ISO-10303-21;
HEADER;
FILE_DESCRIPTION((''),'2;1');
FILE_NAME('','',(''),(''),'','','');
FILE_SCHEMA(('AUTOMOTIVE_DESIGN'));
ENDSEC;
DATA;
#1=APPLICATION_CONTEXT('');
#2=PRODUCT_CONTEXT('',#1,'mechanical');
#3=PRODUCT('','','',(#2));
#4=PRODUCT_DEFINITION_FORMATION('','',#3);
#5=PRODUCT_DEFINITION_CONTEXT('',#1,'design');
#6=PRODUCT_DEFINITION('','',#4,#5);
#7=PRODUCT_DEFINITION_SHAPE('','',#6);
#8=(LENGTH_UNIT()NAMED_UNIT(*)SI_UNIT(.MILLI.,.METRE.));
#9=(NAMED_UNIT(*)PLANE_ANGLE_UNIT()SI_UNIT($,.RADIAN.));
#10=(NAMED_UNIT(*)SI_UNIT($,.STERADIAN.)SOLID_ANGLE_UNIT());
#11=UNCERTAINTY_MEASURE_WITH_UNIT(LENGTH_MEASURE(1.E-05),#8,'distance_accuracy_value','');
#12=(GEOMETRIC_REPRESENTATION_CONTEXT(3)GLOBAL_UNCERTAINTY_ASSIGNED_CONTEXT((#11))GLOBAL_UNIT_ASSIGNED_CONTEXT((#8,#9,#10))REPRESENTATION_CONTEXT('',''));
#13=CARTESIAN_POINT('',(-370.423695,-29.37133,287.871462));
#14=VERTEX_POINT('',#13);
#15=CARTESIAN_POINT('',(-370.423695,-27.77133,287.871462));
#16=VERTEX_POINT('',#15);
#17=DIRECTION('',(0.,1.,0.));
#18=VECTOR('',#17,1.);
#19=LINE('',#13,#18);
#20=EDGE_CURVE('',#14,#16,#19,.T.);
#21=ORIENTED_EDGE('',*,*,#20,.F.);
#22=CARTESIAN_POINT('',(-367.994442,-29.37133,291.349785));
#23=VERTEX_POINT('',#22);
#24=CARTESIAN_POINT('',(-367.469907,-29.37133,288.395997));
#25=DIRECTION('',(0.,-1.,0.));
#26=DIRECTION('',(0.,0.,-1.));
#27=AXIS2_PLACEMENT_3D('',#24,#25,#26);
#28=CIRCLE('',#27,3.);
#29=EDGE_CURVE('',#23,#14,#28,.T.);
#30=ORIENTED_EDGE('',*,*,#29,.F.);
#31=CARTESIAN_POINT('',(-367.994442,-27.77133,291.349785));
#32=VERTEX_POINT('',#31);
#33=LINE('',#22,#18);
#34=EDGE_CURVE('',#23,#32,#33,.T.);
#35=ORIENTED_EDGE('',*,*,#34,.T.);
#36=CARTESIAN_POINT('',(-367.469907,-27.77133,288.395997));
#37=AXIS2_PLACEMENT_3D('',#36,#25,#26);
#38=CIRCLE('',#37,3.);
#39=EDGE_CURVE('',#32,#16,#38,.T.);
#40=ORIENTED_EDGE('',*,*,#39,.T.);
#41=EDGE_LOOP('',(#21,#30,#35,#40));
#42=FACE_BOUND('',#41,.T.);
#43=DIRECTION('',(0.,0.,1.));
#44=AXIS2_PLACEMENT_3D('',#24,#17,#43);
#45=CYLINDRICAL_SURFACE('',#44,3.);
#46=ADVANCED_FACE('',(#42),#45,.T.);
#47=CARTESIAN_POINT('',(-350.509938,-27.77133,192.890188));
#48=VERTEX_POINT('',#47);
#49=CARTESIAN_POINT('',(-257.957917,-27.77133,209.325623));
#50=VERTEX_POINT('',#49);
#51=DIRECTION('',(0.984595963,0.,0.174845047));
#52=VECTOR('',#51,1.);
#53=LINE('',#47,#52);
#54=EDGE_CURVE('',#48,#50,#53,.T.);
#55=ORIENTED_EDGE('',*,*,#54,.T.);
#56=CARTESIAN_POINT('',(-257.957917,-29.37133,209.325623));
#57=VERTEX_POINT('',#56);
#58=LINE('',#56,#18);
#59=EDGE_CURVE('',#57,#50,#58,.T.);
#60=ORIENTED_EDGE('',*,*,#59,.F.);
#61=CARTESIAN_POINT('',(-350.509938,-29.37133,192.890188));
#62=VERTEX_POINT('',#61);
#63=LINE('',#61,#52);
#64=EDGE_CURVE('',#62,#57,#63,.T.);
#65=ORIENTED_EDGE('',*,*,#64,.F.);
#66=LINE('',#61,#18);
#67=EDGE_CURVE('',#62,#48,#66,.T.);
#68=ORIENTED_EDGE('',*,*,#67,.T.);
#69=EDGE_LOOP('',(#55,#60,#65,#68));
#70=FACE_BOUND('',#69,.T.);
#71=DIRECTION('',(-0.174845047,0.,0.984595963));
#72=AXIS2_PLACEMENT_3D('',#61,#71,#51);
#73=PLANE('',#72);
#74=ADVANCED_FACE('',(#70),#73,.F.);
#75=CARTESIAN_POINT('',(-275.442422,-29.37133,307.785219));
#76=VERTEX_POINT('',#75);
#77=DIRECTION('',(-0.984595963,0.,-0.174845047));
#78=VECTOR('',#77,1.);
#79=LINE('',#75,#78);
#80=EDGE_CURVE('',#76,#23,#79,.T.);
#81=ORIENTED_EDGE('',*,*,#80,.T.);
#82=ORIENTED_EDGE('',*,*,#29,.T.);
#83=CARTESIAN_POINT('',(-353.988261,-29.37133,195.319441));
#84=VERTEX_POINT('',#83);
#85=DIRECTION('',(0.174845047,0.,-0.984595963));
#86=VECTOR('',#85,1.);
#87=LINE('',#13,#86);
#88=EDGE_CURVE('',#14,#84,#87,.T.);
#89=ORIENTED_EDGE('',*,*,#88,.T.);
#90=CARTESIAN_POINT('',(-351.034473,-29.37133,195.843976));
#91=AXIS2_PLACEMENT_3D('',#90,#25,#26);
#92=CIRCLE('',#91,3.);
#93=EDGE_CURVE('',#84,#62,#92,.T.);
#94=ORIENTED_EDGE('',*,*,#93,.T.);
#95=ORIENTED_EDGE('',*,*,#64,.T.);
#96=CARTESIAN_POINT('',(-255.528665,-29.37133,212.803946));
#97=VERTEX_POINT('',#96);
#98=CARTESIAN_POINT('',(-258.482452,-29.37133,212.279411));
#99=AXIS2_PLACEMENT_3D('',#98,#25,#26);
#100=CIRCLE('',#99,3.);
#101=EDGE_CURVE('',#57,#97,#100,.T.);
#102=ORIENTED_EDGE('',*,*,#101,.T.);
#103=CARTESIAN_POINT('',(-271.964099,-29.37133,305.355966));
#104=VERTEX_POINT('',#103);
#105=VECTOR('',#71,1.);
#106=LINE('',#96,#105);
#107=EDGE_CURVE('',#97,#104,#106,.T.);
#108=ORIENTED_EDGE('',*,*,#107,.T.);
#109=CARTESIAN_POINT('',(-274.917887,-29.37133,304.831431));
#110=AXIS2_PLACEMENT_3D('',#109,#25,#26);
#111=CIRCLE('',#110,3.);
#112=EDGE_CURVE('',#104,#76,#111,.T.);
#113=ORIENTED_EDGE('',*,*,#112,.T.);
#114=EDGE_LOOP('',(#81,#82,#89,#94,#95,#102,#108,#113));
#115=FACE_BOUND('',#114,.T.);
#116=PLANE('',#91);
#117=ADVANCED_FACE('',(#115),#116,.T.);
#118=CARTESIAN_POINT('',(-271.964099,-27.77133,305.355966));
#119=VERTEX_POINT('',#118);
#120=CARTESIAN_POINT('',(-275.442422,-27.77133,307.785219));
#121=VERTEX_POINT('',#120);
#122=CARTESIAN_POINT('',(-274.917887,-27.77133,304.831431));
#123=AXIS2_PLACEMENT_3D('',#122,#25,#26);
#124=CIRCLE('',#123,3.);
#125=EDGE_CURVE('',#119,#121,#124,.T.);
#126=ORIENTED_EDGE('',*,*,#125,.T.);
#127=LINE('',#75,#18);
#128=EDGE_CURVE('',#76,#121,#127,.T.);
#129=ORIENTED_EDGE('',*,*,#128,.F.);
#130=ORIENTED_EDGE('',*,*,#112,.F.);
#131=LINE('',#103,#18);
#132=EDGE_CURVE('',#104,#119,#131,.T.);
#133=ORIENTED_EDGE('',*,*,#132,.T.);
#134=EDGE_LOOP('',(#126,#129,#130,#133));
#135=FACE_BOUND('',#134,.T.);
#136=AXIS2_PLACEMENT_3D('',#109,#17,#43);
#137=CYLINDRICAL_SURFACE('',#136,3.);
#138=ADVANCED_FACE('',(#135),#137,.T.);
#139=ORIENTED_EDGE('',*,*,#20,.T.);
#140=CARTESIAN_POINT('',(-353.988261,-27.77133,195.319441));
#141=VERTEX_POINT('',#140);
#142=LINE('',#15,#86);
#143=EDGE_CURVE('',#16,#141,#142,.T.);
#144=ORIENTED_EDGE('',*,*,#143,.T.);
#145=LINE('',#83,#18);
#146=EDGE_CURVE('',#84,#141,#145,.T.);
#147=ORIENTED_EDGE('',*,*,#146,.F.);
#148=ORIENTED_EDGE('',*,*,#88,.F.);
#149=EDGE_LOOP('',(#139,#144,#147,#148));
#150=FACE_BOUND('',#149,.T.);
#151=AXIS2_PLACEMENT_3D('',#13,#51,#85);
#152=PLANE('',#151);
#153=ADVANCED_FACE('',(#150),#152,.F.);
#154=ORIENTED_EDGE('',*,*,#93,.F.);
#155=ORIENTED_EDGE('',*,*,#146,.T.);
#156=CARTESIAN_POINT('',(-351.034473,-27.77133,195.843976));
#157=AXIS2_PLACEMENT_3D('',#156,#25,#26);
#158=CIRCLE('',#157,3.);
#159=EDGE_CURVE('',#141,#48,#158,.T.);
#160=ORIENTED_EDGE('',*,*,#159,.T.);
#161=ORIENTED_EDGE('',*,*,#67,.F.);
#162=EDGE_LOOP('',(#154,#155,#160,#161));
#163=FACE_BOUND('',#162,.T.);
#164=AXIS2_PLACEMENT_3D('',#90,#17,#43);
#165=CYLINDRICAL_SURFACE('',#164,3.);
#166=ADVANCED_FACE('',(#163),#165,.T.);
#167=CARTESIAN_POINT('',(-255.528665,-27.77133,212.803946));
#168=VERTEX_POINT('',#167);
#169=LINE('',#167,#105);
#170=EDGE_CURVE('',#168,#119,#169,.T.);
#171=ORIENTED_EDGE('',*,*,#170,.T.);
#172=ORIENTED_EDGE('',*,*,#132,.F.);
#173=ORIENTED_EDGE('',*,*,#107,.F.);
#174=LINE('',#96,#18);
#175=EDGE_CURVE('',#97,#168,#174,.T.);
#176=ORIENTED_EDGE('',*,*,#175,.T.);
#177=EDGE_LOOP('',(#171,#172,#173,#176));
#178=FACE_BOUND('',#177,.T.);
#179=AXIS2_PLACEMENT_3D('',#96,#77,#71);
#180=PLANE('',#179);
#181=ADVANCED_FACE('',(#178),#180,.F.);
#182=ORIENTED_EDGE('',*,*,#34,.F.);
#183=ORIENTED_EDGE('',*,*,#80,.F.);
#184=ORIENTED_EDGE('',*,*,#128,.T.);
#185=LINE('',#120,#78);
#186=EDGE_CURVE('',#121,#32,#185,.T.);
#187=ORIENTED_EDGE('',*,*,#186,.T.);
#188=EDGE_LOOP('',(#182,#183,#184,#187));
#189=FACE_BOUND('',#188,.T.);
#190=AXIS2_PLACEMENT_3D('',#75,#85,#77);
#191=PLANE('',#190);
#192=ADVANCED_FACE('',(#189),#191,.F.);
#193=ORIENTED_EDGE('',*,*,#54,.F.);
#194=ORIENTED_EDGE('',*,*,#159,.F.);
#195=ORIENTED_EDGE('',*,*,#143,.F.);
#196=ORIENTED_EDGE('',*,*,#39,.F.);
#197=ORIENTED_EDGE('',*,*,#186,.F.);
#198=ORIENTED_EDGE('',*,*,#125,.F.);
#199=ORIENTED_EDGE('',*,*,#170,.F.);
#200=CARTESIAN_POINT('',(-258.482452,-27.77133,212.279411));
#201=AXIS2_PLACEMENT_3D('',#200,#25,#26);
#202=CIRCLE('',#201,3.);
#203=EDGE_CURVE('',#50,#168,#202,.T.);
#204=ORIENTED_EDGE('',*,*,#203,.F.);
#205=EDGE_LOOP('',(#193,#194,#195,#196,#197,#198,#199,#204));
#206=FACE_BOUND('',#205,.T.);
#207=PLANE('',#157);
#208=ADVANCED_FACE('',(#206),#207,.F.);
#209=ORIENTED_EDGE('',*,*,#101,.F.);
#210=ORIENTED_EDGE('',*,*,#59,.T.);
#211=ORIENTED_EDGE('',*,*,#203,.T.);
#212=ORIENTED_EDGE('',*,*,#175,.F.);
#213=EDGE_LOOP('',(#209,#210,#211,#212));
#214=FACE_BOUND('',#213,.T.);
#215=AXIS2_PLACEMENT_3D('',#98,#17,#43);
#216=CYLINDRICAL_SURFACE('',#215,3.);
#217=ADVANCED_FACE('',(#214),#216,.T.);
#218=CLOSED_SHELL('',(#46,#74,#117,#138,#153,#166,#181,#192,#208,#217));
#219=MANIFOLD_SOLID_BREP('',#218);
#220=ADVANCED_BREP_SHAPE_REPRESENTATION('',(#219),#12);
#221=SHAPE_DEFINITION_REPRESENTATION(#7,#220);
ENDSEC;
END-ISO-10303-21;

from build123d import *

# Parameters (mm, degrees)
BOSS_EXTRUDE1_DEPTH = 1.6


with BuildPart() as part:
    # Sketch1 → Boss-Extrude1 (new body)
    with BuildSketch(Plane(origin=(0, -27.771330334, 0), x_dir=(-1, 0, 0), z_dir=(0, -1, 0))):
        with BuildLine():
            Line((350.509937782, -192.890188286), (257.957917295, -209.32562268))
            ThreePointArc((257.957917295, -209.32562268), (256.022906635, -210.561669476), (255.528664547, -212.803945708))
            Line((255.528664547, -212.803945708), (271.96409894, -305.355966195))
            ThreePointArc((271.96409894, -305.355966195), (273.200145737, -307.290976855), (275.442421968, -307.785218943))
            Line((275.442421968, -307.785218943), (367.994442456, -291.34978455))
            ThreePointArc((367.994442456, -291.34978455), (369.929453116, -290.113737753), (370.423695204, -287.871461522))
            Line((370.423695204, -287.871461522), (353.98826081, -195.319441034))
            ThreePointArc((353.98826081, -195.319441034), (352.752214014, -193.384430374), (350.509937782, -192.890188286))
        make_face()
    extrude(amount=BOSS_EXTRUDE1_DEPTH)


solid = part.part
